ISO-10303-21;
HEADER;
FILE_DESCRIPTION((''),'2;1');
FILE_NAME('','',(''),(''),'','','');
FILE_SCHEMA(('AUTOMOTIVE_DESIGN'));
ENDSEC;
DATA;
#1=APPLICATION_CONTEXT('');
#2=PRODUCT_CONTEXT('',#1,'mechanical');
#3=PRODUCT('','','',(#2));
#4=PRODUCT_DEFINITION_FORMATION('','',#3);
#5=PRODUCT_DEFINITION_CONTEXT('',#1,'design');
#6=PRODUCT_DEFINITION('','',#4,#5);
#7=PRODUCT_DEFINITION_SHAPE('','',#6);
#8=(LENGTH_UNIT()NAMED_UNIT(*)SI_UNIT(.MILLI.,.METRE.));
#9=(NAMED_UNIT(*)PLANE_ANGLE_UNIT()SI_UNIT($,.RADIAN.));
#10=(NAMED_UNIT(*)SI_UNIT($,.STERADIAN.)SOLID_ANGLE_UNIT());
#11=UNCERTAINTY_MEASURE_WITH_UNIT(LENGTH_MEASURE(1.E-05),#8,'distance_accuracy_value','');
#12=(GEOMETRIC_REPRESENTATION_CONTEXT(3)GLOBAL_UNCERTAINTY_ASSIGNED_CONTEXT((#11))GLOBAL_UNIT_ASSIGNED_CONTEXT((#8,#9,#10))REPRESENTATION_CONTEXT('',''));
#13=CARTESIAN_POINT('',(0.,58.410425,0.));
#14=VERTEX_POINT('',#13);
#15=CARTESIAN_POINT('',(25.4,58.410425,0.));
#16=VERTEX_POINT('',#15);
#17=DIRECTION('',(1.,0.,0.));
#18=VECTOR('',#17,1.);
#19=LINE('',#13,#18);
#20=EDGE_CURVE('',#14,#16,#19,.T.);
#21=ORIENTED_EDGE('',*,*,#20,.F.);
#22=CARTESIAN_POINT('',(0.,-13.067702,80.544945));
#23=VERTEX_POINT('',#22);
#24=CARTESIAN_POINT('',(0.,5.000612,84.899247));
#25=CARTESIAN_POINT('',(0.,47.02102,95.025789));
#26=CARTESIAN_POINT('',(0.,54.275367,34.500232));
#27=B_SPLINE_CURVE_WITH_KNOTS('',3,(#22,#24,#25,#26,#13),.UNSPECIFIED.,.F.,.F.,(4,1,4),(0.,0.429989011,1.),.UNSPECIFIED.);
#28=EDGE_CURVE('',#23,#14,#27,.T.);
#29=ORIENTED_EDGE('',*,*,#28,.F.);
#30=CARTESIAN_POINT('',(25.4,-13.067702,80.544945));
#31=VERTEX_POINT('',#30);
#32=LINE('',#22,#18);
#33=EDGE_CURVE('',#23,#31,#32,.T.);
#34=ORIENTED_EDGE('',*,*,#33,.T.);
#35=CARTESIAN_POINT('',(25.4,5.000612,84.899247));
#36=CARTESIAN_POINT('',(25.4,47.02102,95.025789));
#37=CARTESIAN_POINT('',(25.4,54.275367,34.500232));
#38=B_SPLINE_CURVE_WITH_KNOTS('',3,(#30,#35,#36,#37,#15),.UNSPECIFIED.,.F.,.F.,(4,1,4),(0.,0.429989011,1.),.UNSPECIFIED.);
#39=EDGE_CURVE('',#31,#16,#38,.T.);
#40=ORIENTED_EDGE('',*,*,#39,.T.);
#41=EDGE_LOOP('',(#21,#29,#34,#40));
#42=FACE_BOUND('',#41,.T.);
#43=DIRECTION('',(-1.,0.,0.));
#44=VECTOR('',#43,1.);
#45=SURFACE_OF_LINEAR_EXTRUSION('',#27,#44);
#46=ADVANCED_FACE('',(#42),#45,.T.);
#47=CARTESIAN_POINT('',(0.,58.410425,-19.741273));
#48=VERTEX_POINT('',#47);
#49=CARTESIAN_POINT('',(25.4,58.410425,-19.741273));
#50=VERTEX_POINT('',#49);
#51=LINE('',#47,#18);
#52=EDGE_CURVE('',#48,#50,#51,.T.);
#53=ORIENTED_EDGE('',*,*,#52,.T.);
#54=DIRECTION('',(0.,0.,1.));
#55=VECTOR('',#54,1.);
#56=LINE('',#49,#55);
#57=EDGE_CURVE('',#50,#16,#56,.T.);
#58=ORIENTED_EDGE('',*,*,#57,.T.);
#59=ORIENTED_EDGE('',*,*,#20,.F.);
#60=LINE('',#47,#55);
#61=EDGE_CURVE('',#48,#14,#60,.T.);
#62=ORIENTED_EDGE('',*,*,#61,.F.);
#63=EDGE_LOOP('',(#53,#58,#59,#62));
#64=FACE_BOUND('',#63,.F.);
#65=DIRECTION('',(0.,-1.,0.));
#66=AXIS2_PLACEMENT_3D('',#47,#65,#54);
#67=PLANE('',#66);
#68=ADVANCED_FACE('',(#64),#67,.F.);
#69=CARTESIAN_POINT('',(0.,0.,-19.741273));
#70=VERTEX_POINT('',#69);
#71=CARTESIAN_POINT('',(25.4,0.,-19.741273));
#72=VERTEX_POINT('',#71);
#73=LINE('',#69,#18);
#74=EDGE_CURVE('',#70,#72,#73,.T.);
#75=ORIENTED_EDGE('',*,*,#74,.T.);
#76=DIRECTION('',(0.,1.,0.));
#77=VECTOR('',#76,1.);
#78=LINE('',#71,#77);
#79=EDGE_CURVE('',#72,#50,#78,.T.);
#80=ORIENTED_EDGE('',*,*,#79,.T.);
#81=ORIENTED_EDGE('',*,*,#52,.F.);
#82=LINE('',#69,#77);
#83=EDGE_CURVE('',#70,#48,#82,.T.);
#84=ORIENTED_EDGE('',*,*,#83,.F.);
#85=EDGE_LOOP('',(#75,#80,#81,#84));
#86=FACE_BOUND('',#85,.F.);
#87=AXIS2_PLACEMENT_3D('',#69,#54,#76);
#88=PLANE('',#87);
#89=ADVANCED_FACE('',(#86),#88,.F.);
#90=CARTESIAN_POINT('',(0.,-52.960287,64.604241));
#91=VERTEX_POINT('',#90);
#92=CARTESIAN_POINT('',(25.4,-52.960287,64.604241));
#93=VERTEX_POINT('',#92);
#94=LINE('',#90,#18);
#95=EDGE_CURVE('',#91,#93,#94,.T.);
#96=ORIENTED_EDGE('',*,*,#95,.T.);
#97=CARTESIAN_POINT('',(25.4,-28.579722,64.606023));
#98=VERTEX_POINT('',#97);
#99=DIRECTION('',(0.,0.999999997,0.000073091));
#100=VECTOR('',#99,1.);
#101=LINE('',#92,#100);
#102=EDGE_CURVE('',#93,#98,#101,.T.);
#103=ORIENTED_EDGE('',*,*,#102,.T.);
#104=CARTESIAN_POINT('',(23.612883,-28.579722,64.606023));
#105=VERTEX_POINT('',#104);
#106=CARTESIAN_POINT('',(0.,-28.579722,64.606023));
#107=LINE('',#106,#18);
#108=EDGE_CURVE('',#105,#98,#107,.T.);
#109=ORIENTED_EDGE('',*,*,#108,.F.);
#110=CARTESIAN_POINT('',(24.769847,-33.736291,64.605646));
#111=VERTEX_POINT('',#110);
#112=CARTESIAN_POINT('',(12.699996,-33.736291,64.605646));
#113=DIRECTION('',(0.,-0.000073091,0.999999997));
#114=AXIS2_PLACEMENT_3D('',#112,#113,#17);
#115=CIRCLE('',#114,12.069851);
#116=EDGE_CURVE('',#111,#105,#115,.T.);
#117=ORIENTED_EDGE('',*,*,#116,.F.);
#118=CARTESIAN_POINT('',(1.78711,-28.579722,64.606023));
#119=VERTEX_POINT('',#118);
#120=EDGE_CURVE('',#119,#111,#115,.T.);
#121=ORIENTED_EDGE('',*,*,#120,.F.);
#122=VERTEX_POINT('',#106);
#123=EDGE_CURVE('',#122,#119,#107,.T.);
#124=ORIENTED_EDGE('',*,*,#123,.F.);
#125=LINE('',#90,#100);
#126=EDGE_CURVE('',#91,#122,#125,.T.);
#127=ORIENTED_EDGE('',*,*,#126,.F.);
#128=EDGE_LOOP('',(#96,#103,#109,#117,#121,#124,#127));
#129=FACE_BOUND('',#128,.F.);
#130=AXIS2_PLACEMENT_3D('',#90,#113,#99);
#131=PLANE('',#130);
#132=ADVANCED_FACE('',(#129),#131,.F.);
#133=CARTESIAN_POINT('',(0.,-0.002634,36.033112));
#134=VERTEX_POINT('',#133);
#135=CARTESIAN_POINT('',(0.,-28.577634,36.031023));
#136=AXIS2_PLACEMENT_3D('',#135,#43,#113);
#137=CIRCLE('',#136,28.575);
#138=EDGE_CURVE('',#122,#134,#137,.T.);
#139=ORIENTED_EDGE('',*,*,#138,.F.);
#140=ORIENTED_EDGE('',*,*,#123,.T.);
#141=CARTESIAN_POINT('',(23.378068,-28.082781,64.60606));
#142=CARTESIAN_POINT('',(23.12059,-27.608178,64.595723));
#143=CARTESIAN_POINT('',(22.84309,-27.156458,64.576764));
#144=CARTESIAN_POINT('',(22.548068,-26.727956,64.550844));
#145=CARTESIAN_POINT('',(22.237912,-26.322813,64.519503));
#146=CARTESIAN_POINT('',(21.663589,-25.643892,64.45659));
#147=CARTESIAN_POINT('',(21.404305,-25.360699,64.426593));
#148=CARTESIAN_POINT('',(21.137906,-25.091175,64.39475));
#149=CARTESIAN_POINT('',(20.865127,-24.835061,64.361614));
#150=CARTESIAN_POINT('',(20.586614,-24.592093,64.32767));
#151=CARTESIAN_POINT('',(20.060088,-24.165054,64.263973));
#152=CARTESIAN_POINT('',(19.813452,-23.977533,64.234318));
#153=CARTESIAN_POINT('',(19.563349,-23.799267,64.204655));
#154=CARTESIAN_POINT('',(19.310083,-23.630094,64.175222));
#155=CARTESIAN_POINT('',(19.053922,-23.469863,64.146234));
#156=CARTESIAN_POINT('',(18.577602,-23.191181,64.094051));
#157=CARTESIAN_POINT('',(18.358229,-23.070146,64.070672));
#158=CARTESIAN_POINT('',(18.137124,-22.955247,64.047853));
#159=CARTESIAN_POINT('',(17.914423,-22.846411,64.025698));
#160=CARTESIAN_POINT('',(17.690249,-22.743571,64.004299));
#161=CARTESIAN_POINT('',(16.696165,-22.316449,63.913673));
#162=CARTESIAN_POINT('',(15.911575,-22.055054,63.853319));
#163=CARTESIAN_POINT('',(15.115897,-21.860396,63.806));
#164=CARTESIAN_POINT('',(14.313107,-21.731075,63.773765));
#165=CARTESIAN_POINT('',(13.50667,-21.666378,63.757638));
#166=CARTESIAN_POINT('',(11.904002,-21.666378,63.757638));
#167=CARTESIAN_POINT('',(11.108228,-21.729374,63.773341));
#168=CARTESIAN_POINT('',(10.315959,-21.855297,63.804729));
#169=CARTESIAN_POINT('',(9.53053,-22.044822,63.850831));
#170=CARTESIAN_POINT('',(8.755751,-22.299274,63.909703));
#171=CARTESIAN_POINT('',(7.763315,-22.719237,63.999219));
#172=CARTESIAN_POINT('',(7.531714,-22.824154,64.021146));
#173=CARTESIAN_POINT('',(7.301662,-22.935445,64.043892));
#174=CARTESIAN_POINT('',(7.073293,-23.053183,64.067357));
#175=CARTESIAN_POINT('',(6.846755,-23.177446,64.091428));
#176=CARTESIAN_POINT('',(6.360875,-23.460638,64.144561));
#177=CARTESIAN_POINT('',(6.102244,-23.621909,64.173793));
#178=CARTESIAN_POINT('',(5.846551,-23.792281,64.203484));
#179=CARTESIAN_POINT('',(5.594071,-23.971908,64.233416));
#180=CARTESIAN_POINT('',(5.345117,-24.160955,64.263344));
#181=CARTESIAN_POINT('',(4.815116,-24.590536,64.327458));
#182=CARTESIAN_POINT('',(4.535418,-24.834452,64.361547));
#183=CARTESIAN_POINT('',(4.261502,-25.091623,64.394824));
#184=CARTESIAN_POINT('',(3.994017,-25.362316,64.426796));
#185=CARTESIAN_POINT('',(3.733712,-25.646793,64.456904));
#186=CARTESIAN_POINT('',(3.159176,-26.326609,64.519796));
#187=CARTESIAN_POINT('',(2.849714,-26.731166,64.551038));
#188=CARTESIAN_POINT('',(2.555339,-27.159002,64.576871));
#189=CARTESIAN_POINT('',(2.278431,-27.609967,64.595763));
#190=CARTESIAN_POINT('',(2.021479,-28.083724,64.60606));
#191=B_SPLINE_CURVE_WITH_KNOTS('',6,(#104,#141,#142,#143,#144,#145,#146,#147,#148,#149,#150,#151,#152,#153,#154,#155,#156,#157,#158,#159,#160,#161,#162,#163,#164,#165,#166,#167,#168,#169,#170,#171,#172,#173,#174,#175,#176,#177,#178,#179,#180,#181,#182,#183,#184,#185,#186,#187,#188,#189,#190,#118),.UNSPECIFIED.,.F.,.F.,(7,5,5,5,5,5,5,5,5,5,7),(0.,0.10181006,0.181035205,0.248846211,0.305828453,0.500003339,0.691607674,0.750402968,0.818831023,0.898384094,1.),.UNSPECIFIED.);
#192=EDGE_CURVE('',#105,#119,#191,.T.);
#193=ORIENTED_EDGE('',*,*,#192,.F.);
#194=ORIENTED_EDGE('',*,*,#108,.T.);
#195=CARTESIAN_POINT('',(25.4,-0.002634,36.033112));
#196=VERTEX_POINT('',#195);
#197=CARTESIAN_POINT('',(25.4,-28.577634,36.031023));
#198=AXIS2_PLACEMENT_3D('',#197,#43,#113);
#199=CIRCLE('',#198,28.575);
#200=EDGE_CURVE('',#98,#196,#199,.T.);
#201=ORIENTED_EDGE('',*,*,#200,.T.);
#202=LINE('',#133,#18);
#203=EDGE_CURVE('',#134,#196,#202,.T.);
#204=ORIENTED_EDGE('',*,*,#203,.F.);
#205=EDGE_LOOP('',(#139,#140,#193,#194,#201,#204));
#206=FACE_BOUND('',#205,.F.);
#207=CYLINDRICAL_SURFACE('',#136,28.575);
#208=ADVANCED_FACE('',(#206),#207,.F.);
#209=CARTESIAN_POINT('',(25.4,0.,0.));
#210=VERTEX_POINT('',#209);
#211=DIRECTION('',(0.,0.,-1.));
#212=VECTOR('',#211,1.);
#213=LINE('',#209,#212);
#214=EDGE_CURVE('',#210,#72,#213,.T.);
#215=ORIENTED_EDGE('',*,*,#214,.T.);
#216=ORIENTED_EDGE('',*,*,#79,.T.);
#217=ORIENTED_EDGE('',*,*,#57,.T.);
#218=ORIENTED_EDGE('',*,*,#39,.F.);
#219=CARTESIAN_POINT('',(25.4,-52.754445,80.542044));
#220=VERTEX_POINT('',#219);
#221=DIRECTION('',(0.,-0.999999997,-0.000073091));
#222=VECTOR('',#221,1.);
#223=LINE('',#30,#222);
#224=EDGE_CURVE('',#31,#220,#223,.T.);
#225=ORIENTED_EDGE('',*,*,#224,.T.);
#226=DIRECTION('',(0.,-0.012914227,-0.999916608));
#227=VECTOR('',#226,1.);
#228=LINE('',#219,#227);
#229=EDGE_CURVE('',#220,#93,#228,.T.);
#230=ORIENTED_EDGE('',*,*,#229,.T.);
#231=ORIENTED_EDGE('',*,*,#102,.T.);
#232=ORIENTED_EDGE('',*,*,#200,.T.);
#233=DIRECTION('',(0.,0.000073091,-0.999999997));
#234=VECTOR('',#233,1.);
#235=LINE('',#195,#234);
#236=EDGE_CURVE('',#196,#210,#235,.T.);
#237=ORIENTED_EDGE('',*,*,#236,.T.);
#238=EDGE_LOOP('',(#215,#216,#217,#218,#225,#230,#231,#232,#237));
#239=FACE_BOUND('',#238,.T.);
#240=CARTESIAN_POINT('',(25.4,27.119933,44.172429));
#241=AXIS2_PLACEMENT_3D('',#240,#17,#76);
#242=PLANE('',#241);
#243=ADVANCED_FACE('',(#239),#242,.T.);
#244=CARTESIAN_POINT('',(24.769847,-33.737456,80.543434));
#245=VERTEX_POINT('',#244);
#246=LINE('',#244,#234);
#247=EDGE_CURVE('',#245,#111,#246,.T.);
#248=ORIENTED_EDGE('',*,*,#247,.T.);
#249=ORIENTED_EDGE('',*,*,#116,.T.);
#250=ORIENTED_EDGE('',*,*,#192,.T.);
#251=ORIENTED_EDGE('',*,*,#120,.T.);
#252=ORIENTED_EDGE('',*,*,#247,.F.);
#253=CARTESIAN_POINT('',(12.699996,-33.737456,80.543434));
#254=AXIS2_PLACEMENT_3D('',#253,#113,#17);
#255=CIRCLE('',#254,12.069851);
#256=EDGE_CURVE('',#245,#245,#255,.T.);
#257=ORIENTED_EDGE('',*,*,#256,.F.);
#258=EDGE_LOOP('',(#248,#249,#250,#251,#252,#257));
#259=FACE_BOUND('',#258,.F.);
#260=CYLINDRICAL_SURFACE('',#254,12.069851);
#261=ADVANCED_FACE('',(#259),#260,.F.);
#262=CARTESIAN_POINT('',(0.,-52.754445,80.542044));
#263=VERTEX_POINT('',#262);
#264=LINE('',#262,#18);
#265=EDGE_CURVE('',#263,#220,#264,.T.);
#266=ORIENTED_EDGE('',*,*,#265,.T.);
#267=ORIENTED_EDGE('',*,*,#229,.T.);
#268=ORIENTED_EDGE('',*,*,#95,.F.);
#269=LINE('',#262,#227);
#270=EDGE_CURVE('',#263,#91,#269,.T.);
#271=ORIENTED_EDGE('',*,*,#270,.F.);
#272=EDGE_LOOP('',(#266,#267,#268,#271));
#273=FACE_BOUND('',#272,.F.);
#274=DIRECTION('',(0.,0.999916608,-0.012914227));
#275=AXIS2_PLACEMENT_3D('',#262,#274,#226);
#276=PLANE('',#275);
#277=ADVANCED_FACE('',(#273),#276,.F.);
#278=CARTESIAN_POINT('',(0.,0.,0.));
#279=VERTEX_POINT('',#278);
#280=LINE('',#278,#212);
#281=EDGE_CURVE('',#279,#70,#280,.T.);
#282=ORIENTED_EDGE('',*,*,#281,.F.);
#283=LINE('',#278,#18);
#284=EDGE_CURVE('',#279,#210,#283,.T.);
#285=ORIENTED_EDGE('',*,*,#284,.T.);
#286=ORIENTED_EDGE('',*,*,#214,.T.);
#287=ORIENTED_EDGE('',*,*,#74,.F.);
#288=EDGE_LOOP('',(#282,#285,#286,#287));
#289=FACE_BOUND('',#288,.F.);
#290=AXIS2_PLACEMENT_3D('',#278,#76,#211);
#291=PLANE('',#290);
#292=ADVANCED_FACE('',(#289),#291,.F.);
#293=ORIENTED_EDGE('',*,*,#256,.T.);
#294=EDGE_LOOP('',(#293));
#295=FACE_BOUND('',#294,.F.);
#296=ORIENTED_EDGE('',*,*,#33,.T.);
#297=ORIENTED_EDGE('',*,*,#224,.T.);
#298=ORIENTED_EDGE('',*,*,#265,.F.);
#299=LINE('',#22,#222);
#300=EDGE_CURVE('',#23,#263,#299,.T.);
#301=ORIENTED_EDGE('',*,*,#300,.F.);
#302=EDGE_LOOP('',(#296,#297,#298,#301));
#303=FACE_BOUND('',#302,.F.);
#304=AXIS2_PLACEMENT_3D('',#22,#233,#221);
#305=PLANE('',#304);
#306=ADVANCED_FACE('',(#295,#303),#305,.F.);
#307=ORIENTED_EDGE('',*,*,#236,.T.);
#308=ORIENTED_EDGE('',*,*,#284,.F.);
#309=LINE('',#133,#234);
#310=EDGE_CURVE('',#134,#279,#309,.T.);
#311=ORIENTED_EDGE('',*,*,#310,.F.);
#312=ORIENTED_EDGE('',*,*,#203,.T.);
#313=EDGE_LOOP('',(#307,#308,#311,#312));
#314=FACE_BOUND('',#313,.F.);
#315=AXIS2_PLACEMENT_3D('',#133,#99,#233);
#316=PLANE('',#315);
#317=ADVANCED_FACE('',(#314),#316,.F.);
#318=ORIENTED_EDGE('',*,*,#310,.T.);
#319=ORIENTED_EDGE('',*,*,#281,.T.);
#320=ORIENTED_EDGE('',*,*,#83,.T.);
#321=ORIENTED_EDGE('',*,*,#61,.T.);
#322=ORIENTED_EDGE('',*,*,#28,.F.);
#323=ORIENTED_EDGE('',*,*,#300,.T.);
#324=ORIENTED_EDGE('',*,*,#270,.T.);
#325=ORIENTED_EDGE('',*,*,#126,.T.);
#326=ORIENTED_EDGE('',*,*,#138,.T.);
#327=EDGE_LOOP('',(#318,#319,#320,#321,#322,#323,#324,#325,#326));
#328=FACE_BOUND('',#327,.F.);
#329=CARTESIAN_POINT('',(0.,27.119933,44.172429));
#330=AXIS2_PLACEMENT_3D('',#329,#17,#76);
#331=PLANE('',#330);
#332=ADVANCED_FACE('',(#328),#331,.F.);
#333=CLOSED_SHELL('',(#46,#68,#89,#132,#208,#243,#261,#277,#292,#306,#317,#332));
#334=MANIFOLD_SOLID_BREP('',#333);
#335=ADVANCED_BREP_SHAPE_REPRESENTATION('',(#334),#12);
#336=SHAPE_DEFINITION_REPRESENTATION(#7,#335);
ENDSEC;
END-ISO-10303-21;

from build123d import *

# Parameters (mm, degrees)
F1_DEPTH = 25.4
F2_R     = 12.0698506183
F3_DEPTH = 100.2924419072


with BuildPart() as f1:
    # F0 (on Right) → F1 (new body)
    with BuildSketch(Plane.YZ):
        with BuildLine():
            Line((15.5100870162, 42.3829037865), (15.5131848078, 0))
            Line((15.5131848078, 0), (58.4104247391, 0))
            add(Edge.make_bspline(
                [(-13.0677023463, 80.5449451426), (5.0006115747, 84.8992469104), (47.0210201722, 95.025788891), (54.2753672082, 34.5002323585), (58.4104247391, 0)],
                knots=[0, 0, 0, 0, 0.4299890107, 1, 1, 1, 1], degree=3))
            ThreePointArc((-13.0677023463, 80.5449451426), (7.1384855982, 72.1769982749), (15.509386141, 51.9720337826))
            Line((15.509386141, 51.9720337826), (15.5100870162, 42.3829037865))
        make_face()
        with BuildLine():
            Line((58.4104247391, 0), (15.5131848078, 0))
            Line((15.5131848078, 0), (15.5100870162, 42.3829037865))
            Line((15.5100870162, 42.3829037865), (15.509386141, 51.9720337826))
            ThreePointArc((15.509386141, 51.9720337826), (7.1384855982, 72.1769982749), (-13.0677023463, 80.5449451426))
            Line((-13.0677023463, 80.5449451426), (-52.7544449859, 80.542044415))
            Line((-52.7544449859, 80.542044415), (-52.9602865575, 64.6042414004))
            Line((-52.9602865575, 64.6042414004), (-28.5797221689, 64.6060233903))
            ThreePointArc((-28.5797221689, 64.6060233903), (-8.3735342243, 56.2380765226), (-0.0026336815, 36.0331120303))
            Line((-0.0026336815, 36.0331120303), (0, 0))
            Line((0, 0), (0, -19.7412725538))
            Line((0, -19.7412725538), (58.4104247391, -19.7412725538))
            Line((58.4104247391, -19.7412725538), (58.4104247391, 0))
        make_face()
    extrude(amount=F1_DEPTH)

    # F2 (on face) → F3 (cut, through all)
    with BuildSketch(Plane(origin=(0, -0.0058871476, 80.5458998384), x_dir=(1, 0, 0), z_dir=(0, -7.30906e-05, 0.9999999973))):
        with Locations((12.6999961212, -33.7315686047)):
            Circle(F2_R)
    extrude(amount=-F3_DEPTH, mode=Mode.SUBTRACT)


solid = f1.part
